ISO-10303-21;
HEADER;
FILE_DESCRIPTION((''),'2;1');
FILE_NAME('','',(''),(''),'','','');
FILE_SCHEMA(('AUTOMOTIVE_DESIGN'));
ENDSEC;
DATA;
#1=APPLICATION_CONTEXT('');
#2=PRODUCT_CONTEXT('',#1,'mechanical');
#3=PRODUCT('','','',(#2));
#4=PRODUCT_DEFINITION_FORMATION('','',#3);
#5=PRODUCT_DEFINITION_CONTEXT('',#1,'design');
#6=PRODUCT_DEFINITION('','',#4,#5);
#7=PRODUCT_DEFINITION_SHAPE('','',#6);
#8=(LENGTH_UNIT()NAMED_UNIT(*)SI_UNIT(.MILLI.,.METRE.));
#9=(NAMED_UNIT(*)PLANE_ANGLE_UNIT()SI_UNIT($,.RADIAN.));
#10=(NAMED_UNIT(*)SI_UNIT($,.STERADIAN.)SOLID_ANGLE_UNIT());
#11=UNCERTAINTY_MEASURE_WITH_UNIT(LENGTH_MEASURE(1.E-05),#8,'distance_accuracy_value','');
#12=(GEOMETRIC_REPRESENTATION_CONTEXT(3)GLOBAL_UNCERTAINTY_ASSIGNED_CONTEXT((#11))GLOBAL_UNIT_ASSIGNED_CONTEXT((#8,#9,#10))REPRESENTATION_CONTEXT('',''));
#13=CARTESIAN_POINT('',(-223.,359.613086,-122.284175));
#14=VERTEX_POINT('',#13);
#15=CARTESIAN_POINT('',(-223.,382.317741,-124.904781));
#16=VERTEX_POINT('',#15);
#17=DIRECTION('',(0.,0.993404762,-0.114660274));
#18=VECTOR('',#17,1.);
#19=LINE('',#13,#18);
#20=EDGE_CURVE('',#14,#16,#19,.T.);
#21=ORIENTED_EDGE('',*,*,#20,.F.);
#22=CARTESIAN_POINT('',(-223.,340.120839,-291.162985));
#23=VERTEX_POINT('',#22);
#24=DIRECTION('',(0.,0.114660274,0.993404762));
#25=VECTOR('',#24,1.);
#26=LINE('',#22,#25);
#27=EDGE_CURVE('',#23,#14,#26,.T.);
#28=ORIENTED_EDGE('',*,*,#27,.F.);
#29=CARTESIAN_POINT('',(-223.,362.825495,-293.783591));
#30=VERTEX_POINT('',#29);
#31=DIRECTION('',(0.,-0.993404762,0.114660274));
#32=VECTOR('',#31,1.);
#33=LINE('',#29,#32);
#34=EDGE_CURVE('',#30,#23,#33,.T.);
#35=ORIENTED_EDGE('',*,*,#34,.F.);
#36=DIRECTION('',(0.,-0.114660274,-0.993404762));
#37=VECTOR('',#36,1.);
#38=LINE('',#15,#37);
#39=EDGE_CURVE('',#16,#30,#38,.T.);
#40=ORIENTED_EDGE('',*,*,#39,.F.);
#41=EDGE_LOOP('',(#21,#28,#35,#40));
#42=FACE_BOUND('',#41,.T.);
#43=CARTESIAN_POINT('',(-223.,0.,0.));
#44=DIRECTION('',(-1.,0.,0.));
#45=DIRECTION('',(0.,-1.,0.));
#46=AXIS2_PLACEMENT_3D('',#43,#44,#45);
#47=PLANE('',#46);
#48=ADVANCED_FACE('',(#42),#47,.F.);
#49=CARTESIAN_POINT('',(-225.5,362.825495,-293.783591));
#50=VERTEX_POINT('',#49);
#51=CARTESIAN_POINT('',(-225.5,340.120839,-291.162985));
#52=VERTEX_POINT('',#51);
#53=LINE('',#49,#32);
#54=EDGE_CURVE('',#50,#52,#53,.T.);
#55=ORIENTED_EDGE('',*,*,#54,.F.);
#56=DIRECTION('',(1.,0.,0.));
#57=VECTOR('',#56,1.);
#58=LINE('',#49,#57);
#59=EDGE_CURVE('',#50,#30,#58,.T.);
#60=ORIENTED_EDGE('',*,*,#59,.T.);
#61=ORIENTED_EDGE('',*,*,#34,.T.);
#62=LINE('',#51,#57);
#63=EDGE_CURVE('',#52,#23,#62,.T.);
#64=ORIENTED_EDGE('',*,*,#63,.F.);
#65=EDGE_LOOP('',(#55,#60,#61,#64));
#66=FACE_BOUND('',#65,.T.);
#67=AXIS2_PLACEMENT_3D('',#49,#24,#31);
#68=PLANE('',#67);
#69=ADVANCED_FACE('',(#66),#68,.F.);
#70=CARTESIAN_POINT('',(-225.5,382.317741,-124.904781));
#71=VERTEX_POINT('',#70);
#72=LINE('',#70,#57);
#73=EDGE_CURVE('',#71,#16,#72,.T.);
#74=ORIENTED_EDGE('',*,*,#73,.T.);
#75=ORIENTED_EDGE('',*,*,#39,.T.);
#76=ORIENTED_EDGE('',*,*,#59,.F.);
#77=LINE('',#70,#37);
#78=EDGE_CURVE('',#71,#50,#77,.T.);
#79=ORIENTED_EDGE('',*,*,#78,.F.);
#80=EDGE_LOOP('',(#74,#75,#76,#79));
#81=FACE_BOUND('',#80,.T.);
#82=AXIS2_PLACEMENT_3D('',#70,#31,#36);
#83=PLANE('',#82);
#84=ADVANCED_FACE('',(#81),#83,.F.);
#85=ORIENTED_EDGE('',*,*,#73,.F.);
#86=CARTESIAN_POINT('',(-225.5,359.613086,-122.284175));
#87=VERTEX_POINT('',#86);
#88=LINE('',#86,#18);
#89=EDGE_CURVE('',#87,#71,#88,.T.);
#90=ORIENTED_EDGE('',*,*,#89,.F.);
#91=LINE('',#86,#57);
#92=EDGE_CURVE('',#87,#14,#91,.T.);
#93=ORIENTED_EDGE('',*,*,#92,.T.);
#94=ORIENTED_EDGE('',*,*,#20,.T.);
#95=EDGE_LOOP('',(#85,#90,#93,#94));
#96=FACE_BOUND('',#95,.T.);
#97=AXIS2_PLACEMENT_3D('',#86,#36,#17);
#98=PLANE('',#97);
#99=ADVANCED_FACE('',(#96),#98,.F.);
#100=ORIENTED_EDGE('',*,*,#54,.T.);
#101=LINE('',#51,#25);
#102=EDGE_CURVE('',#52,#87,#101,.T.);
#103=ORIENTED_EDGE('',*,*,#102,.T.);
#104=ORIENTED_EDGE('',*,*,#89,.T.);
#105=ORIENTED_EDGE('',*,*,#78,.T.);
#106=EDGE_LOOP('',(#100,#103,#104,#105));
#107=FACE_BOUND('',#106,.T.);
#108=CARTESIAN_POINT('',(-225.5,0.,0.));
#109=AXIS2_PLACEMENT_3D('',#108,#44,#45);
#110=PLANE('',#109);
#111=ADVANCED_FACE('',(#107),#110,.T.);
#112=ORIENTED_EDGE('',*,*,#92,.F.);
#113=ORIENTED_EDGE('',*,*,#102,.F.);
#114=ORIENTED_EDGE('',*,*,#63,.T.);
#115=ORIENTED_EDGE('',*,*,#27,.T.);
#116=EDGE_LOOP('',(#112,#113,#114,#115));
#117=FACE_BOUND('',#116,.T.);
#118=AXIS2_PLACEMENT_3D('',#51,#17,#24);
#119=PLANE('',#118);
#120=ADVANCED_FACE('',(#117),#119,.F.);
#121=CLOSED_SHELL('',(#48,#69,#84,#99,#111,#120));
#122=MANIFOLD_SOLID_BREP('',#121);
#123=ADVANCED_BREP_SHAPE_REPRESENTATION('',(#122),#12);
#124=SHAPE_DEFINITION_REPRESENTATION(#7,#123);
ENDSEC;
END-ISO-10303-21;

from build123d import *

# Parameters (mm, degrees)
BOSS_EXTRUDE1_DEPTH = 2.5


with BuildPart() as part:
    # Sketch1 → Boss-Extrude1 (new body)
    with BuildSketch(Plane.ZY.offset(223)):
        Polygon((-293.783590574, 362.825494695), (-291.16298503, 340.120839066), (-122.284175449, 359.613085588), (-124.904780993, 382.317741216), align=None)
    extrude(amount=BOSS_EXTRUDE1_DEPTH)


solid = part.part
